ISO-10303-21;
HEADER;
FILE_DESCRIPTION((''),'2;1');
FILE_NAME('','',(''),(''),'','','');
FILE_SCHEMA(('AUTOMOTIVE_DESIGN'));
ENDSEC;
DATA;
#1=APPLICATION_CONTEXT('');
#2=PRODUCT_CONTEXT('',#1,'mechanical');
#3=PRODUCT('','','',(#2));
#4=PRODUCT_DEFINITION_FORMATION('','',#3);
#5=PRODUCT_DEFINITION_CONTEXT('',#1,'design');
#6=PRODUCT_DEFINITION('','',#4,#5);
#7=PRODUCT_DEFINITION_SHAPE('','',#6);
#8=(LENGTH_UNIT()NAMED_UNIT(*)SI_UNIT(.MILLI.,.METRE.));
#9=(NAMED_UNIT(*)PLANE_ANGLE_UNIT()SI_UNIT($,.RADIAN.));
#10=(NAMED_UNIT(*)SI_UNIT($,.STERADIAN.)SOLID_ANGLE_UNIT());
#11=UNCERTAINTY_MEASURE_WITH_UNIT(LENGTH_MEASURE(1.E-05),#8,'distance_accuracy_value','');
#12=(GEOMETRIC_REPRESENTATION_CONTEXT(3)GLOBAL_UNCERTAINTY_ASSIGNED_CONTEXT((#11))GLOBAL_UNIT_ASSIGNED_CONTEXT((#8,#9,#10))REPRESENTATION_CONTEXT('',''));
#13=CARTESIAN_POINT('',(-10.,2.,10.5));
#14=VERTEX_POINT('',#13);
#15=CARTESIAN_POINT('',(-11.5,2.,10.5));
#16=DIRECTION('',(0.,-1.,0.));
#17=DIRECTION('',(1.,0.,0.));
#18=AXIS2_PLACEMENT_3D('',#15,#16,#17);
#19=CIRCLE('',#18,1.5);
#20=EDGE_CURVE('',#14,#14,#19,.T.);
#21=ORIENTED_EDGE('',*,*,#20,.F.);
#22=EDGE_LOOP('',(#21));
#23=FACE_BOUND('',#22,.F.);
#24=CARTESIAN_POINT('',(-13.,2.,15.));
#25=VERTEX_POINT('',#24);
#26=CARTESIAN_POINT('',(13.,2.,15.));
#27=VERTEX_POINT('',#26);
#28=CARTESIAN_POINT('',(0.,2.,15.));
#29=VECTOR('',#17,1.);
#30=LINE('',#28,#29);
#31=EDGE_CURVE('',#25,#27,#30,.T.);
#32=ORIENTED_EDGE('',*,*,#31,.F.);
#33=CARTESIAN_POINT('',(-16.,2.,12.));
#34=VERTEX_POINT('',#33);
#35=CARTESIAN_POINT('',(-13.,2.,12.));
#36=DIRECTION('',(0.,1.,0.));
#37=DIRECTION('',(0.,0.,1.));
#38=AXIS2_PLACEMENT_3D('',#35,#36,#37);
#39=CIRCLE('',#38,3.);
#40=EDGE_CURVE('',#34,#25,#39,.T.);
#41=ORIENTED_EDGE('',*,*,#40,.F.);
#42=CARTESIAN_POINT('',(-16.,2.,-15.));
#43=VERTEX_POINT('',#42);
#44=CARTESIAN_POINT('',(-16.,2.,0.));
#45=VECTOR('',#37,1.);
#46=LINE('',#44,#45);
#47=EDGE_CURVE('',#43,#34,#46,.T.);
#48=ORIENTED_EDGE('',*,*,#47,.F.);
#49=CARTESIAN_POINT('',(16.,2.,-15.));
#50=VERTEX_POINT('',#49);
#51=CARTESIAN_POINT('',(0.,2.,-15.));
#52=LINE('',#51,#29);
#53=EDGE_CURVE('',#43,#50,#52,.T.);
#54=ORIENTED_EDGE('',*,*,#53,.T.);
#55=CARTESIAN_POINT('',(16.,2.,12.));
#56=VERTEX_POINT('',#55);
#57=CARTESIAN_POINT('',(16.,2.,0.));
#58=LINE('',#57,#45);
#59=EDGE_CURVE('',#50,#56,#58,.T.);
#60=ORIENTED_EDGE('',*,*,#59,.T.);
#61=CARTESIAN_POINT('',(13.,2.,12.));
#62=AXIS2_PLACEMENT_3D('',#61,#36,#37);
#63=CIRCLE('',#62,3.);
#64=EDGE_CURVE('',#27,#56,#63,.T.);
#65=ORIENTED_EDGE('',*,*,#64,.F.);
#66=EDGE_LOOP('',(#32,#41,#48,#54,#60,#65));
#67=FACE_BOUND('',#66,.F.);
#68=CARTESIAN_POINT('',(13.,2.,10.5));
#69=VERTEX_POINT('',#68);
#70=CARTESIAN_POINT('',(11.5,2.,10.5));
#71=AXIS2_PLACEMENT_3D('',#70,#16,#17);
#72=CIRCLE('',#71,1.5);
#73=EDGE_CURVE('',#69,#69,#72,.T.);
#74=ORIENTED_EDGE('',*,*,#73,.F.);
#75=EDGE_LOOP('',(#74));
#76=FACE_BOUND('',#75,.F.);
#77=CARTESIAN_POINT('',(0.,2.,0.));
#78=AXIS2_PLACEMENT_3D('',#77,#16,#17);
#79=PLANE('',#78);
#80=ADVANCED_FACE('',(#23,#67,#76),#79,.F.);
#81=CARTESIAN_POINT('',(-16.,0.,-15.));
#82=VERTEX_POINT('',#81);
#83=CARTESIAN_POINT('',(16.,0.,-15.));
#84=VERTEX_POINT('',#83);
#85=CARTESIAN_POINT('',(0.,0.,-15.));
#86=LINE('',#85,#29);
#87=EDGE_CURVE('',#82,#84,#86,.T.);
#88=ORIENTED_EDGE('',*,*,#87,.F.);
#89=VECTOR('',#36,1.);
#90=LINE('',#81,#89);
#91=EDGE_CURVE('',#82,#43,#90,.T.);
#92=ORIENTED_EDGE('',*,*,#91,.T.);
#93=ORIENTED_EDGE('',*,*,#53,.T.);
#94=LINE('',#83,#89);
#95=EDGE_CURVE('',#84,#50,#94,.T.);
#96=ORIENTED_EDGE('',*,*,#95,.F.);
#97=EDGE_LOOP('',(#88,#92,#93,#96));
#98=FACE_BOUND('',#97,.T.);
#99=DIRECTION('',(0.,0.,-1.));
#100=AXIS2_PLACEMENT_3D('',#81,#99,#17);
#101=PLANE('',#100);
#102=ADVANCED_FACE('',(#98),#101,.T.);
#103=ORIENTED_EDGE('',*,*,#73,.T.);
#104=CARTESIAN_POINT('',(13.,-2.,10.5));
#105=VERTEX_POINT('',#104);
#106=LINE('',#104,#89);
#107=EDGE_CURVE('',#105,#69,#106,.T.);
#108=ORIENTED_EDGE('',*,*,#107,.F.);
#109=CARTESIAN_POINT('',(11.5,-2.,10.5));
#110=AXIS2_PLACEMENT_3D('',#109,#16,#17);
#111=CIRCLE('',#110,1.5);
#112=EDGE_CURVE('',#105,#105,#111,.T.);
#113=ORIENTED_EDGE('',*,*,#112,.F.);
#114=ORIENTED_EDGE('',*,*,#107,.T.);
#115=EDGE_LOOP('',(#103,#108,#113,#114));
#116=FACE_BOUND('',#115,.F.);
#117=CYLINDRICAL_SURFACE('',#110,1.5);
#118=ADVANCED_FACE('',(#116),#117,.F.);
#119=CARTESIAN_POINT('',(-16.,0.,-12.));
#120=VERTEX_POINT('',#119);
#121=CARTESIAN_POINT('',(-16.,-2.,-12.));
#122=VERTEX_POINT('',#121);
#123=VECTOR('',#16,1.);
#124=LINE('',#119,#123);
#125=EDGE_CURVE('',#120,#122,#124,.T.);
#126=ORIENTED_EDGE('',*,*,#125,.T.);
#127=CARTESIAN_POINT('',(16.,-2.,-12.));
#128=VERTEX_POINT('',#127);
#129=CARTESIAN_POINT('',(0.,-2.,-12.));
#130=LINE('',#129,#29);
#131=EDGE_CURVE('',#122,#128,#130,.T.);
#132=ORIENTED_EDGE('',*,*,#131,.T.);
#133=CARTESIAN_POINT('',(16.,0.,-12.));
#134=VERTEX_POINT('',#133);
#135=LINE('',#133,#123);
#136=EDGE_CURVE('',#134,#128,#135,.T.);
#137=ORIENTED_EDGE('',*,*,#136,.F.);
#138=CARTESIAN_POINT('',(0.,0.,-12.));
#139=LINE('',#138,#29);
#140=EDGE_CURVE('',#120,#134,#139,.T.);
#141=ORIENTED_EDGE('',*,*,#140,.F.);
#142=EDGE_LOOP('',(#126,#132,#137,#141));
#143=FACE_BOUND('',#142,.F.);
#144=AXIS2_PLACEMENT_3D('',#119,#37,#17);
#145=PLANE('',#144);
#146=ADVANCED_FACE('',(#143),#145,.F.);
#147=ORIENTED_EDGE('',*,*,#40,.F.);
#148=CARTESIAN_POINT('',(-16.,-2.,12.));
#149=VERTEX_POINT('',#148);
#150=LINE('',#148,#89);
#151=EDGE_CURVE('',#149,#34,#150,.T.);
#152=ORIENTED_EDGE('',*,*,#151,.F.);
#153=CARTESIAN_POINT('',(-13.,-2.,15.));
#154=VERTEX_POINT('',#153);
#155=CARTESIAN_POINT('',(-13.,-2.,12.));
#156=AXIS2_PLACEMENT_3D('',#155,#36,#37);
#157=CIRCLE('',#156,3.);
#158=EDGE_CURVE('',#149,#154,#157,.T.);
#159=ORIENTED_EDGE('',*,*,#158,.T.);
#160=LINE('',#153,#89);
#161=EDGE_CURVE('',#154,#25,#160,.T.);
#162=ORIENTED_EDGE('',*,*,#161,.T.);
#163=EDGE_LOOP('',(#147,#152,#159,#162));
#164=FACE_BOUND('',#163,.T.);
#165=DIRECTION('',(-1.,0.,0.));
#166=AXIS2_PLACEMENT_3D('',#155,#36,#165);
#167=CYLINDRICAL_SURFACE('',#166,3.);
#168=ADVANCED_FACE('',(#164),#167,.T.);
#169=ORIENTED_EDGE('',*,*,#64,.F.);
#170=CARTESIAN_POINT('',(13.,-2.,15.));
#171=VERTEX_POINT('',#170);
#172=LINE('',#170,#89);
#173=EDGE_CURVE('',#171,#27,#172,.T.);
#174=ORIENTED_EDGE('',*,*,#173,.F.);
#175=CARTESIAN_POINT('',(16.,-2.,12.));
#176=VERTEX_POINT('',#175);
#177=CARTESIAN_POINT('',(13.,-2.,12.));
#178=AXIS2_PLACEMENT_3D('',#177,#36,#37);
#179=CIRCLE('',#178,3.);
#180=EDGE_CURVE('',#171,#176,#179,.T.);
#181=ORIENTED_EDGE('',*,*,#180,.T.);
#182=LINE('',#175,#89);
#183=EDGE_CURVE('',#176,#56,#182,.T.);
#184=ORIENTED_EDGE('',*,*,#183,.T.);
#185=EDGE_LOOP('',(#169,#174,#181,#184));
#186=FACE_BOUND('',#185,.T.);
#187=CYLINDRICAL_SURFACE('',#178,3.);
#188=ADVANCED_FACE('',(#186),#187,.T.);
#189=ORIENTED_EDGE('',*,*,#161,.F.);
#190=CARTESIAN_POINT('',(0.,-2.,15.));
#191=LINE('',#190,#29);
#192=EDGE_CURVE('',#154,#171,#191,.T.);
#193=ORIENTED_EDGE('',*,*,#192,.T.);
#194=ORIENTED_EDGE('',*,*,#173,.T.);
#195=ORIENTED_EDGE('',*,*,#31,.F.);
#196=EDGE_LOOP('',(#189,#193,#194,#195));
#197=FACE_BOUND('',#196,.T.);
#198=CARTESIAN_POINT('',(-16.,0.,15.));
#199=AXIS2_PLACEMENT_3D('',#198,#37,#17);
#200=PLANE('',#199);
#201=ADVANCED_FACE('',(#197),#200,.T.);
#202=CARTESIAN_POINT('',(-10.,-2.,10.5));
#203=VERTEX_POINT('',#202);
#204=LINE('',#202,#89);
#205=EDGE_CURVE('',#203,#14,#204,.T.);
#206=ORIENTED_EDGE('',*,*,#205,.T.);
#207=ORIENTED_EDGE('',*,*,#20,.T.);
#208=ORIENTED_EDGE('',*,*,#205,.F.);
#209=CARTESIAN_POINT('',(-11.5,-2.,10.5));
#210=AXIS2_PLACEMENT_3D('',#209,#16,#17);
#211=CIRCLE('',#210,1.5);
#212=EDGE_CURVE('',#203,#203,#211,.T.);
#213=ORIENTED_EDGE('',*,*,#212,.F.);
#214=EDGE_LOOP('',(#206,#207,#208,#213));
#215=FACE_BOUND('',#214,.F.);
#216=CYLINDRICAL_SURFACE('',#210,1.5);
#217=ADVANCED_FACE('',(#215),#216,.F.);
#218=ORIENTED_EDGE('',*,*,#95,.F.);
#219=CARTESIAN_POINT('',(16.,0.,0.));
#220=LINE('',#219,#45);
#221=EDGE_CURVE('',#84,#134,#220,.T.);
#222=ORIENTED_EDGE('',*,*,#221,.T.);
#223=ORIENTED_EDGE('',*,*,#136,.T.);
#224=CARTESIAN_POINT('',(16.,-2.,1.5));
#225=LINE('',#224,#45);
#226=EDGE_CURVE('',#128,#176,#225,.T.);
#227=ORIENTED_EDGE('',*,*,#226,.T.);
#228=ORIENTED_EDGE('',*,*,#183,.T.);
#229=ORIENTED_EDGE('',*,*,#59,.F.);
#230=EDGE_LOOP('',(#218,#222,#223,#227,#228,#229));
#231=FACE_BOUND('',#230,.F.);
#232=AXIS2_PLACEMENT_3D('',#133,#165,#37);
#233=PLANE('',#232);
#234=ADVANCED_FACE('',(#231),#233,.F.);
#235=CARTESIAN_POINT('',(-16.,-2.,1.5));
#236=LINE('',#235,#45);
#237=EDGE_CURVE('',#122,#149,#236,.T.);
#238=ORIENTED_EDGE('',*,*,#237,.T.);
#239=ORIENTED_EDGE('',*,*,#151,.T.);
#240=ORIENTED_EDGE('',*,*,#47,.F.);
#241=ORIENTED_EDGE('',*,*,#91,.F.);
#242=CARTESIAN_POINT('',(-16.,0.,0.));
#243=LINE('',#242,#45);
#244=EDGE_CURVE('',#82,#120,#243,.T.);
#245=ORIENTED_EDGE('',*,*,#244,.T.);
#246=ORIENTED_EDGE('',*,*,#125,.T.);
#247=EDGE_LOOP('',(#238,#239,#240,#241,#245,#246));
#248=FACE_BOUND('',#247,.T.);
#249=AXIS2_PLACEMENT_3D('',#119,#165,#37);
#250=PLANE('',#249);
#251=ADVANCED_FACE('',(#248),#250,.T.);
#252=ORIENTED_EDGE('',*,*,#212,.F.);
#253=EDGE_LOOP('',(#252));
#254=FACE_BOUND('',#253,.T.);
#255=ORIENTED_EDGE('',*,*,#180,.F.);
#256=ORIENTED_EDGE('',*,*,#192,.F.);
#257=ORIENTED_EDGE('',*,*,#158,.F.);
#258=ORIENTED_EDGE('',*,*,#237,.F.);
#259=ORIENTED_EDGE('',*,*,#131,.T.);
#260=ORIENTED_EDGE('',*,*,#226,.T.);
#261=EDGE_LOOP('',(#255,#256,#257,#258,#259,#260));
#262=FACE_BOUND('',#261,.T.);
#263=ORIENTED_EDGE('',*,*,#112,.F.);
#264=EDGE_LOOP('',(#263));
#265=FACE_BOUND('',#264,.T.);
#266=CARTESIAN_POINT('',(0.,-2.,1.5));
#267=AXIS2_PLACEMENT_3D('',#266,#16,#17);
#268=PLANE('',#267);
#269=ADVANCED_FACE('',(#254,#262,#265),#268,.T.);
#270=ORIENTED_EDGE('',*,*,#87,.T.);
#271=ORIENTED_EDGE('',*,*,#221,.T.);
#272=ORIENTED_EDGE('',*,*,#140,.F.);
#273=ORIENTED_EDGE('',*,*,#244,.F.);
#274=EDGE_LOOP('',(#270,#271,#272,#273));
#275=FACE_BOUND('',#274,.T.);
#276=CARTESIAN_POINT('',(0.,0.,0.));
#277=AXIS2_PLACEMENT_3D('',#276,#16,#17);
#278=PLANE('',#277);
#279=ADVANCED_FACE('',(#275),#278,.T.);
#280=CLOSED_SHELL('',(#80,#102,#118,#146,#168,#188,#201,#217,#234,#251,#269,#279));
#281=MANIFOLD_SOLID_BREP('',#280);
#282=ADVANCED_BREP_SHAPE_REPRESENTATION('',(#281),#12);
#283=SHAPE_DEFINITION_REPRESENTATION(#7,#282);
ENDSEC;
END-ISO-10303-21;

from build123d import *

# Parameters (mm, degrees)
F0_W     = 32
F0_H     = 30
F1_DEPTH = 2
F2_W     = 32
F2_H     = 27
F3_DEPTH = 2
F4_R     = 1.5
F5_DEPTH = 4.001
F6_R     = 3


with BuildPart() as f1:
    # F0 (on Front) → F1 (new body)
    with BuildSketch(Plane.XZ):
        Rectangle(F0_W, F0_H)
    extrude(amount=-F1_DEPTH)

    # F2 (on face) → F3 (join)
    with BuildSketch(Plane.XZ):
        with Locations((0, 1.5)):
            Rectangle(F2_W, F2_H)
    extrude(amount=F3_DEPTH)

    # F4 (on face) → F5 (cut, through all)
    with BuildSketch(Plane.XZ.offset(2)):
        with Locations((-11.5, 10.5)):
            Circle(F4_R)
        with Locations((11.5, 10.5)):
            Circle(F4_R)
    extrude(amount=-F5_DEPTH, mode=Mode.SUBTRACT)

    # F6
    f6_edges = [f1.edges().sort_by_distance(p)[0] for p in [
        (-16, 0, 15),
        (16, 0, 15),
    ]]
    fillet(f6_edges, radius=F6_R)


solid = f1.part
